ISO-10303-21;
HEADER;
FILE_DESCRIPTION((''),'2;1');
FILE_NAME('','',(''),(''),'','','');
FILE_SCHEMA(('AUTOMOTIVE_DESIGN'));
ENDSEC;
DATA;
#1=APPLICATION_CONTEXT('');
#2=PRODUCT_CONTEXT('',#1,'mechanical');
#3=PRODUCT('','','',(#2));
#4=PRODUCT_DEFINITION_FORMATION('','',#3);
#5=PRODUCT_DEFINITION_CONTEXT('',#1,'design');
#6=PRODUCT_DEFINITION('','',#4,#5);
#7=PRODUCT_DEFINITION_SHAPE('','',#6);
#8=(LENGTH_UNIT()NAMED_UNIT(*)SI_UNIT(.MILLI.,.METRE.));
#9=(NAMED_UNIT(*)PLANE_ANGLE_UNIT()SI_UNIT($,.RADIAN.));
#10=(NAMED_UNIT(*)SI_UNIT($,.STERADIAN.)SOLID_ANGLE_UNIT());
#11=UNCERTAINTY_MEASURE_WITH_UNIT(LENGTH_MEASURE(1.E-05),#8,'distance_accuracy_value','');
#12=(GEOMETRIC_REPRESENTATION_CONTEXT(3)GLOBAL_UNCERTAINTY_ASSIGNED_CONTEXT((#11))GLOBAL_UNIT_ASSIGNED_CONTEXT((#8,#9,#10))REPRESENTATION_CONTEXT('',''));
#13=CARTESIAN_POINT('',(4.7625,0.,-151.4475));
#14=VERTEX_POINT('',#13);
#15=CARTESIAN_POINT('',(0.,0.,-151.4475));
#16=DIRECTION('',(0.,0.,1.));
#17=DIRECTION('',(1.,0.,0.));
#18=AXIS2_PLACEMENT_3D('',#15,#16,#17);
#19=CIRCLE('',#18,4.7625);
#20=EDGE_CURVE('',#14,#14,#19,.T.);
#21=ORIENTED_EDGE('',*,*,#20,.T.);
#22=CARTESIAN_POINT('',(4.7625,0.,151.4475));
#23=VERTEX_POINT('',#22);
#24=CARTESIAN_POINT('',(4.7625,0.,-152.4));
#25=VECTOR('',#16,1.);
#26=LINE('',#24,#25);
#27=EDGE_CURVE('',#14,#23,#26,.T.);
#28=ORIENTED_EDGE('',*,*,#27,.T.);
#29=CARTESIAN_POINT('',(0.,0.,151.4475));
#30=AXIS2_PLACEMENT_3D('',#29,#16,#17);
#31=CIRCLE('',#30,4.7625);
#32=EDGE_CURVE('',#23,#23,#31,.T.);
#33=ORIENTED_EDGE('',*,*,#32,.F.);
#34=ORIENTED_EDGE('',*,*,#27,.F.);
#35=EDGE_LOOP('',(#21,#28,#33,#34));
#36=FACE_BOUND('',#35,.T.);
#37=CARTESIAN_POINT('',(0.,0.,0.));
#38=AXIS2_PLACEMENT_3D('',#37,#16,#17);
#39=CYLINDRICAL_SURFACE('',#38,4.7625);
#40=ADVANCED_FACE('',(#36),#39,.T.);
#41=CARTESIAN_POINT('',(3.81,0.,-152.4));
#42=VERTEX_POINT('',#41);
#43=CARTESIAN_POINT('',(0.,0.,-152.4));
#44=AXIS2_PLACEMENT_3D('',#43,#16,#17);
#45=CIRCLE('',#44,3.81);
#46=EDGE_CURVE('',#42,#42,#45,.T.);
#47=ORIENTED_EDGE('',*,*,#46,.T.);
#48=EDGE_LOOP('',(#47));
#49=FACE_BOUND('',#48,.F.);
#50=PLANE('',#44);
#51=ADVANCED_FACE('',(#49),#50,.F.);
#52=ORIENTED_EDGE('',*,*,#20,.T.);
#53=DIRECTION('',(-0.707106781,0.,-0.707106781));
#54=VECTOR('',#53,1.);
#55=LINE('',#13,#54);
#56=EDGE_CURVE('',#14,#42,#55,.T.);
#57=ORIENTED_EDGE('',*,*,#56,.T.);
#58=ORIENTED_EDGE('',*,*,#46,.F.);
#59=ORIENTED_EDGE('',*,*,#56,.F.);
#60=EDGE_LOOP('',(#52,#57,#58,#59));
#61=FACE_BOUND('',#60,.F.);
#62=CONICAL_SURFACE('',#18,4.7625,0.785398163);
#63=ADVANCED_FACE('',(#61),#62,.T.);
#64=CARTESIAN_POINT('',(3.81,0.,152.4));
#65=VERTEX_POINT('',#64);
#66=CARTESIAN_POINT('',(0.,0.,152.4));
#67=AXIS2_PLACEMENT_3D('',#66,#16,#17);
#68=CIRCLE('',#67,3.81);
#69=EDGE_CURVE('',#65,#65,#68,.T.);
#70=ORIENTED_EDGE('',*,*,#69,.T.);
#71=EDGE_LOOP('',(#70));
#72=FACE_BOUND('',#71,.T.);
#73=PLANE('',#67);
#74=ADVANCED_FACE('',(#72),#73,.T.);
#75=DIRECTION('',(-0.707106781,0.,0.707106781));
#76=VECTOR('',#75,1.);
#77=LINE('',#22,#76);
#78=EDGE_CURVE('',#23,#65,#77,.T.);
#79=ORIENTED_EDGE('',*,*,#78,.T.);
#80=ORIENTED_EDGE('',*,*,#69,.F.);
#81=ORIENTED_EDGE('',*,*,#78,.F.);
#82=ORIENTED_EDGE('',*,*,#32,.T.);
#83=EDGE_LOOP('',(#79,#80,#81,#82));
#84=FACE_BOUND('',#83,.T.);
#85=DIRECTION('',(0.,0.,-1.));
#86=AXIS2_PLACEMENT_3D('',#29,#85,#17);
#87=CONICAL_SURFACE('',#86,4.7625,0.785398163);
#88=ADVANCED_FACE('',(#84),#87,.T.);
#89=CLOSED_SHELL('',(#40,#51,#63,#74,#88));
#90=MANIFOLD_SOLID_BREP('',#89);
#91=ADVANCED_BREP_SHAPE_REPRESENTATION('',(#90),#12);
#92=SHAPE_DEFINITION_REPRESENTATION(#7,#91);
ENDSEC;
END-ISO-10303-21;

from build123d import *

# Parameters (mm, degrees)
SKETCH3_R           = 4.7625
BOSS_EXTRUDE1_DEPTH = 152.4
CHAMFER1_SIZE       = 0.9525


with BuildPart() as part:
    # Sketch3 → Boss-Extrude1 (new body, symmetric)
    with BuildSketch(Plane.XY):
        Circle(SKETCH3_R)
    extrude(amount=BOSS_EXTRUDE1_DEPTH, both=True)

    # Chamfer1
    chamfer1_edges = [part.edges().sort_by_distance(p)[0] for p in [
        (-4.7625, 0, -152.4),
        (-4.7625, 0, 152.4),
    ]]
    chamfer(chamfer1_edges, length=CHAMFER1_SIZE)


solid = part.part
